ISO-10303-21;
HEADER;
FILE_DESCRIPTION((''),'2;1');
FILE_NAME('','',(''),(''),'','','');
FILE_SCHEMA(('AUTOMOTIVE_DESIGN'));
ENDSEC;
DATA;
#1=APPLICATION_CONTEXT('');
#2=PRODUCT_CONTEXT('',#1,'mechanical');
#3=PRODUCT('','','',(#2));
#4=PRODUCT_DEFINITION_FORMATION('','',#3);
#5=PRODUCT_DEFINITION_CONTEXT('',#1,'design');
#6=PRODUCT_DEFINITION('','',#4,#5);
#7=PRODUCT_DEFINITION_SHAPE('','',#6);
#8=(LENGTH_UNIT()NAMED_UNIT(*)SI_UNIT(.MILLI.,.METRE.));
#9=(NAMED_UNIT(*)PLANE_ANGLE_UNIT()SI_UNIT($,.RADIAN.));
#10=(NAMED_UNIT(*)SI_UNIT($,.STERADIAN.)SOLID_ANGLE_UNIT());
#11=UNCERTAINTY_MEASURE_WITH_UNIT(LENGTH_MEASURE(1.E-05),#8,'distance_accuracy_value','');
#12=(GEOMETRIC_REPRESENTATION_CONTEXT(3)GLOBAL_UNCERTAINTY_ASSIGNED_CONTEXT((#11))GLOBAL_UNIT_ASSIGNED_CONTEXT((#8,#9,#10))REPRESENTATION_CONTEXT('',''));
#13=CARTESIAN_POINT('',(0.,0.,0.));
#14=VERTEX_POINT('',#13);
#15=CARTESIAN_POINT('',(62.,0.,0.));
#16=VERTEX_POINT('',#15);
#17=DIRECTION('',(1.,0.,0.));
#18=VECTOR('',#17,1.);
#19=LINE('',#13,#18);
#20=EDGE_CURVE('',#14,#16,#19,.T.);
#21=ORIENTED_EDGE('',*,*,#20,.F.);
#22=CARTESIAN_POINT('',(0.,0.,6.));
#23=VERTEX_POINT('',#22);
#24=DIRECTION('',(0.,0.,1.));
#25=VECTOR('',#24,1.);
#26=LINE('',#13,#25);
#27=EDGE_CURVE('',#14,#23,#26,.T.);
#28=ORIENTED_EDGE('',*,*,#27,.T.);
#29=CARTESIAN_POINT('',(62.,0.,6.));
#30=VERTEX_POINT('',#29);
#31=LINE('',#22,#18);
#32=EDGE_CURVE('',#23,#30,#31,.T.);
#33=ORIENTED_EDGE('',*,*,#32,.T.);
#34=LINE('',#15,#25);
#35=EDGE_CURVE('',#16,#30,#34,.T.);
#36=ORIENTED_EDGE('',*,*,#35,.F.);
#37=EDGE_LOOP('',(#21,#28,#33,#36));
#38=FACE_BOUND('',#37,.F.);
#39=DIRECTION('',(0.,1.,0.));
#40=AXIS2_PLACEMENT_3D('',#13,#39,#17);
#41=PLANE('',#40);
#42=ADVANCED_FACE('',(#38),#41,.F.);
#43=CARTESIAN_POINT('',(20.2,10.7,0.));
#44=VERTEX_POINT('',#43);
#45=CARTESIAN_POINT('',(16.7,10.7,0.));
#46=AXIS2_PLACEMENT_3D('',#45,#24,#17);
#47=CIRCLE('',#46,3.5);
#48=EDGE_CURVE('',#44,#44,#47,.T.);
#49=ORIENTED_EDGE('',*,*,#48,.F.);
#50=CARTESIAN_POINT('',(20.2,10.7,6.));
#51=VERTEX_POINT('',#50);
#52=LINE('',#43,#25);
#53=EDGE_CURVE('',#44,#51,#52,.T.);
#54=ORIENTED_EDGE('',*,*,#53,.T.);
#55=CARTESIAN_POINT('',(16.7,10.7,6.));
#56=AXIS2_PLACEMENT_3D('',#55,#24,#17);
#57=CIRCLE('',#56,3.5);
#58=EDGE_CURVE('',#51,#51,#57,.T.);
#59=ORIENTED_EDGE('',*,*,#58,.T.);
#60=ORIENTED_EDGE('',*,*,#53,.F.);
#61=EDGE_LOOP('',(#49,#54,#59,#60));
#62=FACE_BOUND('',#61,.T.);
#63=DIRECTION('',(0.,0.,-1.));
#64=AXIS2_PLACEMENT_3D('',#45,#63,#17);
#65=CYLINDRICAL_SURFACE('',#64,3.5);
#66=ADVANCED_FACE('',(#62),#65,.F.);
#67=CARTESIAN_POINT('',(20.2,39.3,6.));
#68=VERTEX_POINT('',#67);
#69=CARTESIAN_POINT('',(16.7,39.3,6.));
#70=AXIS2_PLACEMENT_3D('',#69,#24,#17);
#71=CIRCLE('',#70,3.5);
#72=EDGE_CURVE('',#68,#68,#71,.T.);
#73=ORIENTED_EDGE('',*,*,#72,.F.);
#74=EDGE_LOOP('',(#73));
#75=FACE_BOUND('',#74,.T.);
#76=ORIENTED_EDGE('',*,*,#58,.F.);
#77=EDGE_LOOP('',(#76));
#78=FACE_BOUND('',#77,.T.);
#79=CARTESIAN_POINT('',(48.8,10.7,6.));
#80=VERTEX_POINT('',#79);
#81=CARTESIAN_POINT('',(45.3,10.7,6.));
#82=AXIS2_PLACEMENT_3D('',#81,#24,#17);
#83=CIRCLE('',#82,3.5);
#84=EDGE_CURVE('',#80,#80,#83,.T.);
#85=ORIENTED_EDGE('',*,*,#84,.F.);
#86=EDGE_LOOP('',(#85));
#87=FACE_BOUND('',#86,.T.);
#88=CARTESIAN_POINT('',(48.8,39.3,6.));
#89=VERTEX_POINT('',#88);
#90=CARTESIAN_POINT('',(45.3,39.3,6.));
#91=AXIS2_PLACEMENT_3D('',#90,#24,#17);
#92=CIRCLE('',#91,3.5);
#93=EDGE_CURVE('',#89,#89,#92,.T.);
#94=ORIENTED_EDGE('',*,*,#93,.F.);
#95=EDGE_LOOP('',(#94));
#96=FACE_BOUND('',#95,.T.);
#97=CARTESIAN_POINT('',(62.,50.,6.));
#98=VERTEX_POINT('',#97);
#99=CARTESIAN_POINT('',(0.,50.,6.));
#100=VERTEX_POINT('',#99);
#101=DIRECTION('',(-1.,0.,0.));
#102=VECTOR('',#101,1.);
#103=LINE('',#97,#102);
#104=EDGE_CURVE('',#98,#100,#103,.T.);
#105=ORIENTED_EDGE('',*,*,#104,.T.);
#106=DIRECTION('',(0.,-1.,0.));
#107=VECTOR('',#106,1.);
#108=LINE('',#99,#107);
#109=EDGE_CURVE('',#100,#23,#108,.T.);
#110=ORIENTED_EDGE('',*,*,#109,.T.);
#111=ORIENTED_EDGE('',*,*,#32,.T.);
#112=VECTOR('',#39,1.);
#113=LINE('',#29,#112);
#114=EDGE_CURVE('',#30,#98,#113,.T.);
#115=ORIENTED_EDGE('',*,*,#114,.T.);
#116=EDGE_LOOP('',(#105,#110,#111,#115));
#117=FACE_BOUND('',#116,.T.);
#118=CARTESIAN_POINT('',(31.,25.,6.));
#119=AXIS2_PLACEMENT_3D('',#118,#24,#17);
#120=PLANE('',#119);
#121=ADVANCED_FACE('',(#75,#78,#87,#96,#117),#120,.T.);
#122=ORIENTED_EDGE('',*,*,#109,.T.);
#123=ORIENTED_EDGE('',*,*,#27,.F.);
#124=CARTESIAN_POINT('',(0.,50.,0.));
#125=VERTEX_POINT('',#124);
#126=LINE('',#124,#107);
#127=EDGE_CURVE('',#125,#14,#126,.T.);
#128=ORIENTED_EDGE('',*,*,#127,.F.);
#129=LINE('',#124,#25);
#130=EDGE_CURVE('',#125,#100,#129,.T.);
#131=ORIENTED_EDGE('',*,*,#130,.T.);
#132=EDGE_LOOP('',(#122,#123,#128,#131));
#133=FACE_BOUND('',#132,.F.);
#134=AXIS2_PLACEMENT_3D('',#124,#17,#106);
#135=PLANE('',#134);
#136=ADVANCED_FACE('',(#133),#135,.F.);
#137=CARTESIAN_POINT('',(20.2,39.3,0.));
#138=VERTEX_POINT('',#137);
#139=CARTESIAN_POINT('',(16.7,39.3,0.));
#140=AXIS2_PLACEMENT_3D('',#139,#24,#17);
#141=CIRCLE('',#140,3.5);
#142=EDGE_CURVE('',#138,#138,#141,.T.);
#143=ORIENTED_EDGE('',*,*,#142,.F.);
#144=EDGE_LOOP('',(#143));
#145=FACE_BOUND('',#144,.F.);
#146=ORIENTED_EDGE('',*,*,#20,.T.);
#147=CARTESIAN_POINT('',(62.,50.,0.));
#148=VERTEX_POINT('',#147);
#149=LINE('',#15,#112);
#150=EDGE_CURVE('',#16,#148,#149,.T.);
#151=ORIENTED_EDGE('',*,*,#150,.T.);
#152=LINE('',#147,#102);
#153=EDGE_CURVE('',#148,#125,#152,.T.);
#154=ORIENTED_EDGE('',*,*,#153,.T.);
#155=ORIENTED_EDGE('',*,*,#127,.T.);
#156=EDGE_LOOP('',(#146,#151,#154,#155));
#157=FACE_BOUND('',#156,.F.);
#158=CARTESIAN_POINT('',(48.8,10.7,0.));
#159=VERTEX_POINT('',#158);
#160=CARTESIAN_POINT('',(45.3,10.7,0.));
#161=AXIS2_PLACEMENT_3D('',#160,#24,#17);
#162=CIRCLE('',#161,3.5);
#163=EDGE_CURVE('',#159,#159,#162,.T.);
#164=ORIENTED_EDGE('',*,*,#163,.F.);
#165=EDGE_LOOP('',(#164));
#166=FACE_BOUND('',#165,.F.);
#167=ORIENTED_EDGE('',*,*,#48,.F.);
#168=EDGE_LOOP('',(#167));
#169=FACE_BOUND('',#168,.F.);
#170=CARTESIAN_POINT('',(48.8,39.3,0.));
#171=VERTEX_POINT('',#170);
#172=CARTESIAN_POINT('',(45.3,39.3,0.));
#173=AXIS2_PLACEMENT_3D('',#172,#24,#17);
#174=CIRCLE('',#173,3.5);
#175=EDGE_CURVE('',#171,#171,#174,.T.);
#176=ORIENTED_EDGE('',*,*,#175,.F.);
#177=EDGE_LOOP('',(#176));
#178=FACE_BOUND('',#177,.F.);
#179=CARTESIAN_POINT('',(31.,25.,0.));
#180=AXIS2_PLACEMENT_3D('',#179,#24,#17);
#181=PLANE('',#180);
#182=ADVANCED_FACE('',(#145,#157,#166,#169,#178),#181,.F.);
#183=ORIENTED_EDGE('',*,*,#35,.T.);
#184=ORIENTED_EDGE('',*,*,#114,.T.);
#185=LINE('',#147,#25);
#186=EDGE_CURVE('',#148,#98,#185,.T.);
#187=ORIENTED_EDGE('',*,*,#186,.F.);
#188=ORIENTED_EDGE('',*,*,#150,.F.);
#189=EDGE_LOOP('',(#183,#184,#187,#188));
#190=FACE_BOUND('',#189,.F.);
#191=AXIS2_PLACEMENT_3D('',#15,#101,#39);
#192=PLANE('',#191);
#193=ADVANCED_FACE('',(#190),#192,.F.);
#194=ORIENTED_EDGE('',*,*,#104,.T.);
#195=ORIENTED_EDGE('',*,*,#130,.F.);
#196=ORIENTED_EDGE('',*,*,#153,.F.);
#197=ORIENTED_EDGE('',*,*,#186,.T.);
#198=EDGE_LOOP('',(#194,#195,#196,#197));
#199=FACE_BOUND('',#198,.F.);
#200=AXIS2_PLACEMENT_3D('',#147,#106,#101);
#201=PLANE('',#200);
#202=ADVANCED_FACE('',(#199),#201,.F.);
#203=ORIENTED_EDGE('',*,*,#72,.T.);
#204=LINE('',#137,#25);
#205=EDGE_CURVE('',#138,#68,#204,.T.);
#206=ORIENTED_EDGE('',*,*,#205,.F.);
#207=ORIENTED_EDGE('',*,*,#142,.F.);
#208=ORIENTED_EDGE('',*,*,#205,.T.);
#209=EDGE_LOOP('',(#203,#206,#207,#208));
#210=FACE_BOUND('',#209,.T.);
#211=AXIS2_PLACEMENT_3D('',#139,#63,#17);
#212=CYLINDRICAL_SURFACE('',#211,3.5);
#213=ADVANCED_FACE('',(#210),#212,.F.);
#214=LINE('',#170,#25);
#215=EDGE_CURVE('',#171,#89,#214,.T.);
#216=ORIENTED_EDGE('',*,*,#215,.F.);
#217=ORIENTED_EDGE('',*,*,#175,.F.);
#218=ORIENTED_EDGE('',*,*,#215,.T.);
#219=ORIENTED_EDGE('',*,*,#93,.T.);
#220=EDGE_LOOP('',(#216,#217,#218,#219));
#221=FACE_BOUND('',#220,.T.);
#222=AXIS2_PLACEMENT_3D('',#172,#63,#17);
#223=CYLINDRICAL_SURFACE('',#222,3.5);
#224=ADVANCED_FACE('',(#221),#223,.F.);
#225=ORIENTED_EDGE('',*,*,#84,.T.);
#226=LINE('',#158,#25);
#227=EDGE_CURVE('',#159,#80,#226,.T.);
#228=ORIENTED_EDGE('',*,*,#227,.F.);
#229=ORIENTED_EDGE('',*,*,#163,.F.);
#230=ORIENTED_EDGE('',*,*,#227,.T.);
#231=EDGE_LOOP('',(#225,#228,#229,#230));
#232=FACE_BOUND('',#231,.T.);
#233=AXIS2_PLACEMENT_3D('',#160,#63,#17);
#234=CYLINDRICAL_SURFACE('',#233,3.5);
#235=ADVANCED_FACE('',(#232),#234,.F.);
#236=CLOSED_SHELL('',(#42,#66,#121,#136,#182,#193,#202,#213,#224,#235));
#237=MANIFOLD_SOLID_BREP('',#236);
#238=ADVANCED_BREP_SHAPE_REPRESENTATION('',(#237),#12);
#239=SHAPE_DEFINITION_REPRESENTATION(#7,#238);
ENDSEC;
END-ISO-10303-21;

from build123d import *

# Parameters (mm, degrees)
F0_R     = 3.5
F1_DEPTH = 6


with BuildPart() as f1:
    # F0 (on Top) → F1 (new body)
    with BuildSketch(Plane.XY):
        Polygon((0, 50), (0, 0), (31, 0), (62, 0), (62, 50), align=None)
        with Locations((16.7, 10.7)):
            Circle(F0_R, mode=Mode.SUBTRACT)
        with Locations((45.3, 10.7)):
            Circle(F0_R, mode=Mode.SUBTRACT)
        with Locations((16.7, 39.3)):
            Circle(F0_R, mode=Mode.SUBTRACT)
        with Locations((45.3, 39.3)):
            Circle(F0_R, mode=Mode.SUBTRACT)
    extrude(amount=F1_DEPTH)


solid = f1.part
